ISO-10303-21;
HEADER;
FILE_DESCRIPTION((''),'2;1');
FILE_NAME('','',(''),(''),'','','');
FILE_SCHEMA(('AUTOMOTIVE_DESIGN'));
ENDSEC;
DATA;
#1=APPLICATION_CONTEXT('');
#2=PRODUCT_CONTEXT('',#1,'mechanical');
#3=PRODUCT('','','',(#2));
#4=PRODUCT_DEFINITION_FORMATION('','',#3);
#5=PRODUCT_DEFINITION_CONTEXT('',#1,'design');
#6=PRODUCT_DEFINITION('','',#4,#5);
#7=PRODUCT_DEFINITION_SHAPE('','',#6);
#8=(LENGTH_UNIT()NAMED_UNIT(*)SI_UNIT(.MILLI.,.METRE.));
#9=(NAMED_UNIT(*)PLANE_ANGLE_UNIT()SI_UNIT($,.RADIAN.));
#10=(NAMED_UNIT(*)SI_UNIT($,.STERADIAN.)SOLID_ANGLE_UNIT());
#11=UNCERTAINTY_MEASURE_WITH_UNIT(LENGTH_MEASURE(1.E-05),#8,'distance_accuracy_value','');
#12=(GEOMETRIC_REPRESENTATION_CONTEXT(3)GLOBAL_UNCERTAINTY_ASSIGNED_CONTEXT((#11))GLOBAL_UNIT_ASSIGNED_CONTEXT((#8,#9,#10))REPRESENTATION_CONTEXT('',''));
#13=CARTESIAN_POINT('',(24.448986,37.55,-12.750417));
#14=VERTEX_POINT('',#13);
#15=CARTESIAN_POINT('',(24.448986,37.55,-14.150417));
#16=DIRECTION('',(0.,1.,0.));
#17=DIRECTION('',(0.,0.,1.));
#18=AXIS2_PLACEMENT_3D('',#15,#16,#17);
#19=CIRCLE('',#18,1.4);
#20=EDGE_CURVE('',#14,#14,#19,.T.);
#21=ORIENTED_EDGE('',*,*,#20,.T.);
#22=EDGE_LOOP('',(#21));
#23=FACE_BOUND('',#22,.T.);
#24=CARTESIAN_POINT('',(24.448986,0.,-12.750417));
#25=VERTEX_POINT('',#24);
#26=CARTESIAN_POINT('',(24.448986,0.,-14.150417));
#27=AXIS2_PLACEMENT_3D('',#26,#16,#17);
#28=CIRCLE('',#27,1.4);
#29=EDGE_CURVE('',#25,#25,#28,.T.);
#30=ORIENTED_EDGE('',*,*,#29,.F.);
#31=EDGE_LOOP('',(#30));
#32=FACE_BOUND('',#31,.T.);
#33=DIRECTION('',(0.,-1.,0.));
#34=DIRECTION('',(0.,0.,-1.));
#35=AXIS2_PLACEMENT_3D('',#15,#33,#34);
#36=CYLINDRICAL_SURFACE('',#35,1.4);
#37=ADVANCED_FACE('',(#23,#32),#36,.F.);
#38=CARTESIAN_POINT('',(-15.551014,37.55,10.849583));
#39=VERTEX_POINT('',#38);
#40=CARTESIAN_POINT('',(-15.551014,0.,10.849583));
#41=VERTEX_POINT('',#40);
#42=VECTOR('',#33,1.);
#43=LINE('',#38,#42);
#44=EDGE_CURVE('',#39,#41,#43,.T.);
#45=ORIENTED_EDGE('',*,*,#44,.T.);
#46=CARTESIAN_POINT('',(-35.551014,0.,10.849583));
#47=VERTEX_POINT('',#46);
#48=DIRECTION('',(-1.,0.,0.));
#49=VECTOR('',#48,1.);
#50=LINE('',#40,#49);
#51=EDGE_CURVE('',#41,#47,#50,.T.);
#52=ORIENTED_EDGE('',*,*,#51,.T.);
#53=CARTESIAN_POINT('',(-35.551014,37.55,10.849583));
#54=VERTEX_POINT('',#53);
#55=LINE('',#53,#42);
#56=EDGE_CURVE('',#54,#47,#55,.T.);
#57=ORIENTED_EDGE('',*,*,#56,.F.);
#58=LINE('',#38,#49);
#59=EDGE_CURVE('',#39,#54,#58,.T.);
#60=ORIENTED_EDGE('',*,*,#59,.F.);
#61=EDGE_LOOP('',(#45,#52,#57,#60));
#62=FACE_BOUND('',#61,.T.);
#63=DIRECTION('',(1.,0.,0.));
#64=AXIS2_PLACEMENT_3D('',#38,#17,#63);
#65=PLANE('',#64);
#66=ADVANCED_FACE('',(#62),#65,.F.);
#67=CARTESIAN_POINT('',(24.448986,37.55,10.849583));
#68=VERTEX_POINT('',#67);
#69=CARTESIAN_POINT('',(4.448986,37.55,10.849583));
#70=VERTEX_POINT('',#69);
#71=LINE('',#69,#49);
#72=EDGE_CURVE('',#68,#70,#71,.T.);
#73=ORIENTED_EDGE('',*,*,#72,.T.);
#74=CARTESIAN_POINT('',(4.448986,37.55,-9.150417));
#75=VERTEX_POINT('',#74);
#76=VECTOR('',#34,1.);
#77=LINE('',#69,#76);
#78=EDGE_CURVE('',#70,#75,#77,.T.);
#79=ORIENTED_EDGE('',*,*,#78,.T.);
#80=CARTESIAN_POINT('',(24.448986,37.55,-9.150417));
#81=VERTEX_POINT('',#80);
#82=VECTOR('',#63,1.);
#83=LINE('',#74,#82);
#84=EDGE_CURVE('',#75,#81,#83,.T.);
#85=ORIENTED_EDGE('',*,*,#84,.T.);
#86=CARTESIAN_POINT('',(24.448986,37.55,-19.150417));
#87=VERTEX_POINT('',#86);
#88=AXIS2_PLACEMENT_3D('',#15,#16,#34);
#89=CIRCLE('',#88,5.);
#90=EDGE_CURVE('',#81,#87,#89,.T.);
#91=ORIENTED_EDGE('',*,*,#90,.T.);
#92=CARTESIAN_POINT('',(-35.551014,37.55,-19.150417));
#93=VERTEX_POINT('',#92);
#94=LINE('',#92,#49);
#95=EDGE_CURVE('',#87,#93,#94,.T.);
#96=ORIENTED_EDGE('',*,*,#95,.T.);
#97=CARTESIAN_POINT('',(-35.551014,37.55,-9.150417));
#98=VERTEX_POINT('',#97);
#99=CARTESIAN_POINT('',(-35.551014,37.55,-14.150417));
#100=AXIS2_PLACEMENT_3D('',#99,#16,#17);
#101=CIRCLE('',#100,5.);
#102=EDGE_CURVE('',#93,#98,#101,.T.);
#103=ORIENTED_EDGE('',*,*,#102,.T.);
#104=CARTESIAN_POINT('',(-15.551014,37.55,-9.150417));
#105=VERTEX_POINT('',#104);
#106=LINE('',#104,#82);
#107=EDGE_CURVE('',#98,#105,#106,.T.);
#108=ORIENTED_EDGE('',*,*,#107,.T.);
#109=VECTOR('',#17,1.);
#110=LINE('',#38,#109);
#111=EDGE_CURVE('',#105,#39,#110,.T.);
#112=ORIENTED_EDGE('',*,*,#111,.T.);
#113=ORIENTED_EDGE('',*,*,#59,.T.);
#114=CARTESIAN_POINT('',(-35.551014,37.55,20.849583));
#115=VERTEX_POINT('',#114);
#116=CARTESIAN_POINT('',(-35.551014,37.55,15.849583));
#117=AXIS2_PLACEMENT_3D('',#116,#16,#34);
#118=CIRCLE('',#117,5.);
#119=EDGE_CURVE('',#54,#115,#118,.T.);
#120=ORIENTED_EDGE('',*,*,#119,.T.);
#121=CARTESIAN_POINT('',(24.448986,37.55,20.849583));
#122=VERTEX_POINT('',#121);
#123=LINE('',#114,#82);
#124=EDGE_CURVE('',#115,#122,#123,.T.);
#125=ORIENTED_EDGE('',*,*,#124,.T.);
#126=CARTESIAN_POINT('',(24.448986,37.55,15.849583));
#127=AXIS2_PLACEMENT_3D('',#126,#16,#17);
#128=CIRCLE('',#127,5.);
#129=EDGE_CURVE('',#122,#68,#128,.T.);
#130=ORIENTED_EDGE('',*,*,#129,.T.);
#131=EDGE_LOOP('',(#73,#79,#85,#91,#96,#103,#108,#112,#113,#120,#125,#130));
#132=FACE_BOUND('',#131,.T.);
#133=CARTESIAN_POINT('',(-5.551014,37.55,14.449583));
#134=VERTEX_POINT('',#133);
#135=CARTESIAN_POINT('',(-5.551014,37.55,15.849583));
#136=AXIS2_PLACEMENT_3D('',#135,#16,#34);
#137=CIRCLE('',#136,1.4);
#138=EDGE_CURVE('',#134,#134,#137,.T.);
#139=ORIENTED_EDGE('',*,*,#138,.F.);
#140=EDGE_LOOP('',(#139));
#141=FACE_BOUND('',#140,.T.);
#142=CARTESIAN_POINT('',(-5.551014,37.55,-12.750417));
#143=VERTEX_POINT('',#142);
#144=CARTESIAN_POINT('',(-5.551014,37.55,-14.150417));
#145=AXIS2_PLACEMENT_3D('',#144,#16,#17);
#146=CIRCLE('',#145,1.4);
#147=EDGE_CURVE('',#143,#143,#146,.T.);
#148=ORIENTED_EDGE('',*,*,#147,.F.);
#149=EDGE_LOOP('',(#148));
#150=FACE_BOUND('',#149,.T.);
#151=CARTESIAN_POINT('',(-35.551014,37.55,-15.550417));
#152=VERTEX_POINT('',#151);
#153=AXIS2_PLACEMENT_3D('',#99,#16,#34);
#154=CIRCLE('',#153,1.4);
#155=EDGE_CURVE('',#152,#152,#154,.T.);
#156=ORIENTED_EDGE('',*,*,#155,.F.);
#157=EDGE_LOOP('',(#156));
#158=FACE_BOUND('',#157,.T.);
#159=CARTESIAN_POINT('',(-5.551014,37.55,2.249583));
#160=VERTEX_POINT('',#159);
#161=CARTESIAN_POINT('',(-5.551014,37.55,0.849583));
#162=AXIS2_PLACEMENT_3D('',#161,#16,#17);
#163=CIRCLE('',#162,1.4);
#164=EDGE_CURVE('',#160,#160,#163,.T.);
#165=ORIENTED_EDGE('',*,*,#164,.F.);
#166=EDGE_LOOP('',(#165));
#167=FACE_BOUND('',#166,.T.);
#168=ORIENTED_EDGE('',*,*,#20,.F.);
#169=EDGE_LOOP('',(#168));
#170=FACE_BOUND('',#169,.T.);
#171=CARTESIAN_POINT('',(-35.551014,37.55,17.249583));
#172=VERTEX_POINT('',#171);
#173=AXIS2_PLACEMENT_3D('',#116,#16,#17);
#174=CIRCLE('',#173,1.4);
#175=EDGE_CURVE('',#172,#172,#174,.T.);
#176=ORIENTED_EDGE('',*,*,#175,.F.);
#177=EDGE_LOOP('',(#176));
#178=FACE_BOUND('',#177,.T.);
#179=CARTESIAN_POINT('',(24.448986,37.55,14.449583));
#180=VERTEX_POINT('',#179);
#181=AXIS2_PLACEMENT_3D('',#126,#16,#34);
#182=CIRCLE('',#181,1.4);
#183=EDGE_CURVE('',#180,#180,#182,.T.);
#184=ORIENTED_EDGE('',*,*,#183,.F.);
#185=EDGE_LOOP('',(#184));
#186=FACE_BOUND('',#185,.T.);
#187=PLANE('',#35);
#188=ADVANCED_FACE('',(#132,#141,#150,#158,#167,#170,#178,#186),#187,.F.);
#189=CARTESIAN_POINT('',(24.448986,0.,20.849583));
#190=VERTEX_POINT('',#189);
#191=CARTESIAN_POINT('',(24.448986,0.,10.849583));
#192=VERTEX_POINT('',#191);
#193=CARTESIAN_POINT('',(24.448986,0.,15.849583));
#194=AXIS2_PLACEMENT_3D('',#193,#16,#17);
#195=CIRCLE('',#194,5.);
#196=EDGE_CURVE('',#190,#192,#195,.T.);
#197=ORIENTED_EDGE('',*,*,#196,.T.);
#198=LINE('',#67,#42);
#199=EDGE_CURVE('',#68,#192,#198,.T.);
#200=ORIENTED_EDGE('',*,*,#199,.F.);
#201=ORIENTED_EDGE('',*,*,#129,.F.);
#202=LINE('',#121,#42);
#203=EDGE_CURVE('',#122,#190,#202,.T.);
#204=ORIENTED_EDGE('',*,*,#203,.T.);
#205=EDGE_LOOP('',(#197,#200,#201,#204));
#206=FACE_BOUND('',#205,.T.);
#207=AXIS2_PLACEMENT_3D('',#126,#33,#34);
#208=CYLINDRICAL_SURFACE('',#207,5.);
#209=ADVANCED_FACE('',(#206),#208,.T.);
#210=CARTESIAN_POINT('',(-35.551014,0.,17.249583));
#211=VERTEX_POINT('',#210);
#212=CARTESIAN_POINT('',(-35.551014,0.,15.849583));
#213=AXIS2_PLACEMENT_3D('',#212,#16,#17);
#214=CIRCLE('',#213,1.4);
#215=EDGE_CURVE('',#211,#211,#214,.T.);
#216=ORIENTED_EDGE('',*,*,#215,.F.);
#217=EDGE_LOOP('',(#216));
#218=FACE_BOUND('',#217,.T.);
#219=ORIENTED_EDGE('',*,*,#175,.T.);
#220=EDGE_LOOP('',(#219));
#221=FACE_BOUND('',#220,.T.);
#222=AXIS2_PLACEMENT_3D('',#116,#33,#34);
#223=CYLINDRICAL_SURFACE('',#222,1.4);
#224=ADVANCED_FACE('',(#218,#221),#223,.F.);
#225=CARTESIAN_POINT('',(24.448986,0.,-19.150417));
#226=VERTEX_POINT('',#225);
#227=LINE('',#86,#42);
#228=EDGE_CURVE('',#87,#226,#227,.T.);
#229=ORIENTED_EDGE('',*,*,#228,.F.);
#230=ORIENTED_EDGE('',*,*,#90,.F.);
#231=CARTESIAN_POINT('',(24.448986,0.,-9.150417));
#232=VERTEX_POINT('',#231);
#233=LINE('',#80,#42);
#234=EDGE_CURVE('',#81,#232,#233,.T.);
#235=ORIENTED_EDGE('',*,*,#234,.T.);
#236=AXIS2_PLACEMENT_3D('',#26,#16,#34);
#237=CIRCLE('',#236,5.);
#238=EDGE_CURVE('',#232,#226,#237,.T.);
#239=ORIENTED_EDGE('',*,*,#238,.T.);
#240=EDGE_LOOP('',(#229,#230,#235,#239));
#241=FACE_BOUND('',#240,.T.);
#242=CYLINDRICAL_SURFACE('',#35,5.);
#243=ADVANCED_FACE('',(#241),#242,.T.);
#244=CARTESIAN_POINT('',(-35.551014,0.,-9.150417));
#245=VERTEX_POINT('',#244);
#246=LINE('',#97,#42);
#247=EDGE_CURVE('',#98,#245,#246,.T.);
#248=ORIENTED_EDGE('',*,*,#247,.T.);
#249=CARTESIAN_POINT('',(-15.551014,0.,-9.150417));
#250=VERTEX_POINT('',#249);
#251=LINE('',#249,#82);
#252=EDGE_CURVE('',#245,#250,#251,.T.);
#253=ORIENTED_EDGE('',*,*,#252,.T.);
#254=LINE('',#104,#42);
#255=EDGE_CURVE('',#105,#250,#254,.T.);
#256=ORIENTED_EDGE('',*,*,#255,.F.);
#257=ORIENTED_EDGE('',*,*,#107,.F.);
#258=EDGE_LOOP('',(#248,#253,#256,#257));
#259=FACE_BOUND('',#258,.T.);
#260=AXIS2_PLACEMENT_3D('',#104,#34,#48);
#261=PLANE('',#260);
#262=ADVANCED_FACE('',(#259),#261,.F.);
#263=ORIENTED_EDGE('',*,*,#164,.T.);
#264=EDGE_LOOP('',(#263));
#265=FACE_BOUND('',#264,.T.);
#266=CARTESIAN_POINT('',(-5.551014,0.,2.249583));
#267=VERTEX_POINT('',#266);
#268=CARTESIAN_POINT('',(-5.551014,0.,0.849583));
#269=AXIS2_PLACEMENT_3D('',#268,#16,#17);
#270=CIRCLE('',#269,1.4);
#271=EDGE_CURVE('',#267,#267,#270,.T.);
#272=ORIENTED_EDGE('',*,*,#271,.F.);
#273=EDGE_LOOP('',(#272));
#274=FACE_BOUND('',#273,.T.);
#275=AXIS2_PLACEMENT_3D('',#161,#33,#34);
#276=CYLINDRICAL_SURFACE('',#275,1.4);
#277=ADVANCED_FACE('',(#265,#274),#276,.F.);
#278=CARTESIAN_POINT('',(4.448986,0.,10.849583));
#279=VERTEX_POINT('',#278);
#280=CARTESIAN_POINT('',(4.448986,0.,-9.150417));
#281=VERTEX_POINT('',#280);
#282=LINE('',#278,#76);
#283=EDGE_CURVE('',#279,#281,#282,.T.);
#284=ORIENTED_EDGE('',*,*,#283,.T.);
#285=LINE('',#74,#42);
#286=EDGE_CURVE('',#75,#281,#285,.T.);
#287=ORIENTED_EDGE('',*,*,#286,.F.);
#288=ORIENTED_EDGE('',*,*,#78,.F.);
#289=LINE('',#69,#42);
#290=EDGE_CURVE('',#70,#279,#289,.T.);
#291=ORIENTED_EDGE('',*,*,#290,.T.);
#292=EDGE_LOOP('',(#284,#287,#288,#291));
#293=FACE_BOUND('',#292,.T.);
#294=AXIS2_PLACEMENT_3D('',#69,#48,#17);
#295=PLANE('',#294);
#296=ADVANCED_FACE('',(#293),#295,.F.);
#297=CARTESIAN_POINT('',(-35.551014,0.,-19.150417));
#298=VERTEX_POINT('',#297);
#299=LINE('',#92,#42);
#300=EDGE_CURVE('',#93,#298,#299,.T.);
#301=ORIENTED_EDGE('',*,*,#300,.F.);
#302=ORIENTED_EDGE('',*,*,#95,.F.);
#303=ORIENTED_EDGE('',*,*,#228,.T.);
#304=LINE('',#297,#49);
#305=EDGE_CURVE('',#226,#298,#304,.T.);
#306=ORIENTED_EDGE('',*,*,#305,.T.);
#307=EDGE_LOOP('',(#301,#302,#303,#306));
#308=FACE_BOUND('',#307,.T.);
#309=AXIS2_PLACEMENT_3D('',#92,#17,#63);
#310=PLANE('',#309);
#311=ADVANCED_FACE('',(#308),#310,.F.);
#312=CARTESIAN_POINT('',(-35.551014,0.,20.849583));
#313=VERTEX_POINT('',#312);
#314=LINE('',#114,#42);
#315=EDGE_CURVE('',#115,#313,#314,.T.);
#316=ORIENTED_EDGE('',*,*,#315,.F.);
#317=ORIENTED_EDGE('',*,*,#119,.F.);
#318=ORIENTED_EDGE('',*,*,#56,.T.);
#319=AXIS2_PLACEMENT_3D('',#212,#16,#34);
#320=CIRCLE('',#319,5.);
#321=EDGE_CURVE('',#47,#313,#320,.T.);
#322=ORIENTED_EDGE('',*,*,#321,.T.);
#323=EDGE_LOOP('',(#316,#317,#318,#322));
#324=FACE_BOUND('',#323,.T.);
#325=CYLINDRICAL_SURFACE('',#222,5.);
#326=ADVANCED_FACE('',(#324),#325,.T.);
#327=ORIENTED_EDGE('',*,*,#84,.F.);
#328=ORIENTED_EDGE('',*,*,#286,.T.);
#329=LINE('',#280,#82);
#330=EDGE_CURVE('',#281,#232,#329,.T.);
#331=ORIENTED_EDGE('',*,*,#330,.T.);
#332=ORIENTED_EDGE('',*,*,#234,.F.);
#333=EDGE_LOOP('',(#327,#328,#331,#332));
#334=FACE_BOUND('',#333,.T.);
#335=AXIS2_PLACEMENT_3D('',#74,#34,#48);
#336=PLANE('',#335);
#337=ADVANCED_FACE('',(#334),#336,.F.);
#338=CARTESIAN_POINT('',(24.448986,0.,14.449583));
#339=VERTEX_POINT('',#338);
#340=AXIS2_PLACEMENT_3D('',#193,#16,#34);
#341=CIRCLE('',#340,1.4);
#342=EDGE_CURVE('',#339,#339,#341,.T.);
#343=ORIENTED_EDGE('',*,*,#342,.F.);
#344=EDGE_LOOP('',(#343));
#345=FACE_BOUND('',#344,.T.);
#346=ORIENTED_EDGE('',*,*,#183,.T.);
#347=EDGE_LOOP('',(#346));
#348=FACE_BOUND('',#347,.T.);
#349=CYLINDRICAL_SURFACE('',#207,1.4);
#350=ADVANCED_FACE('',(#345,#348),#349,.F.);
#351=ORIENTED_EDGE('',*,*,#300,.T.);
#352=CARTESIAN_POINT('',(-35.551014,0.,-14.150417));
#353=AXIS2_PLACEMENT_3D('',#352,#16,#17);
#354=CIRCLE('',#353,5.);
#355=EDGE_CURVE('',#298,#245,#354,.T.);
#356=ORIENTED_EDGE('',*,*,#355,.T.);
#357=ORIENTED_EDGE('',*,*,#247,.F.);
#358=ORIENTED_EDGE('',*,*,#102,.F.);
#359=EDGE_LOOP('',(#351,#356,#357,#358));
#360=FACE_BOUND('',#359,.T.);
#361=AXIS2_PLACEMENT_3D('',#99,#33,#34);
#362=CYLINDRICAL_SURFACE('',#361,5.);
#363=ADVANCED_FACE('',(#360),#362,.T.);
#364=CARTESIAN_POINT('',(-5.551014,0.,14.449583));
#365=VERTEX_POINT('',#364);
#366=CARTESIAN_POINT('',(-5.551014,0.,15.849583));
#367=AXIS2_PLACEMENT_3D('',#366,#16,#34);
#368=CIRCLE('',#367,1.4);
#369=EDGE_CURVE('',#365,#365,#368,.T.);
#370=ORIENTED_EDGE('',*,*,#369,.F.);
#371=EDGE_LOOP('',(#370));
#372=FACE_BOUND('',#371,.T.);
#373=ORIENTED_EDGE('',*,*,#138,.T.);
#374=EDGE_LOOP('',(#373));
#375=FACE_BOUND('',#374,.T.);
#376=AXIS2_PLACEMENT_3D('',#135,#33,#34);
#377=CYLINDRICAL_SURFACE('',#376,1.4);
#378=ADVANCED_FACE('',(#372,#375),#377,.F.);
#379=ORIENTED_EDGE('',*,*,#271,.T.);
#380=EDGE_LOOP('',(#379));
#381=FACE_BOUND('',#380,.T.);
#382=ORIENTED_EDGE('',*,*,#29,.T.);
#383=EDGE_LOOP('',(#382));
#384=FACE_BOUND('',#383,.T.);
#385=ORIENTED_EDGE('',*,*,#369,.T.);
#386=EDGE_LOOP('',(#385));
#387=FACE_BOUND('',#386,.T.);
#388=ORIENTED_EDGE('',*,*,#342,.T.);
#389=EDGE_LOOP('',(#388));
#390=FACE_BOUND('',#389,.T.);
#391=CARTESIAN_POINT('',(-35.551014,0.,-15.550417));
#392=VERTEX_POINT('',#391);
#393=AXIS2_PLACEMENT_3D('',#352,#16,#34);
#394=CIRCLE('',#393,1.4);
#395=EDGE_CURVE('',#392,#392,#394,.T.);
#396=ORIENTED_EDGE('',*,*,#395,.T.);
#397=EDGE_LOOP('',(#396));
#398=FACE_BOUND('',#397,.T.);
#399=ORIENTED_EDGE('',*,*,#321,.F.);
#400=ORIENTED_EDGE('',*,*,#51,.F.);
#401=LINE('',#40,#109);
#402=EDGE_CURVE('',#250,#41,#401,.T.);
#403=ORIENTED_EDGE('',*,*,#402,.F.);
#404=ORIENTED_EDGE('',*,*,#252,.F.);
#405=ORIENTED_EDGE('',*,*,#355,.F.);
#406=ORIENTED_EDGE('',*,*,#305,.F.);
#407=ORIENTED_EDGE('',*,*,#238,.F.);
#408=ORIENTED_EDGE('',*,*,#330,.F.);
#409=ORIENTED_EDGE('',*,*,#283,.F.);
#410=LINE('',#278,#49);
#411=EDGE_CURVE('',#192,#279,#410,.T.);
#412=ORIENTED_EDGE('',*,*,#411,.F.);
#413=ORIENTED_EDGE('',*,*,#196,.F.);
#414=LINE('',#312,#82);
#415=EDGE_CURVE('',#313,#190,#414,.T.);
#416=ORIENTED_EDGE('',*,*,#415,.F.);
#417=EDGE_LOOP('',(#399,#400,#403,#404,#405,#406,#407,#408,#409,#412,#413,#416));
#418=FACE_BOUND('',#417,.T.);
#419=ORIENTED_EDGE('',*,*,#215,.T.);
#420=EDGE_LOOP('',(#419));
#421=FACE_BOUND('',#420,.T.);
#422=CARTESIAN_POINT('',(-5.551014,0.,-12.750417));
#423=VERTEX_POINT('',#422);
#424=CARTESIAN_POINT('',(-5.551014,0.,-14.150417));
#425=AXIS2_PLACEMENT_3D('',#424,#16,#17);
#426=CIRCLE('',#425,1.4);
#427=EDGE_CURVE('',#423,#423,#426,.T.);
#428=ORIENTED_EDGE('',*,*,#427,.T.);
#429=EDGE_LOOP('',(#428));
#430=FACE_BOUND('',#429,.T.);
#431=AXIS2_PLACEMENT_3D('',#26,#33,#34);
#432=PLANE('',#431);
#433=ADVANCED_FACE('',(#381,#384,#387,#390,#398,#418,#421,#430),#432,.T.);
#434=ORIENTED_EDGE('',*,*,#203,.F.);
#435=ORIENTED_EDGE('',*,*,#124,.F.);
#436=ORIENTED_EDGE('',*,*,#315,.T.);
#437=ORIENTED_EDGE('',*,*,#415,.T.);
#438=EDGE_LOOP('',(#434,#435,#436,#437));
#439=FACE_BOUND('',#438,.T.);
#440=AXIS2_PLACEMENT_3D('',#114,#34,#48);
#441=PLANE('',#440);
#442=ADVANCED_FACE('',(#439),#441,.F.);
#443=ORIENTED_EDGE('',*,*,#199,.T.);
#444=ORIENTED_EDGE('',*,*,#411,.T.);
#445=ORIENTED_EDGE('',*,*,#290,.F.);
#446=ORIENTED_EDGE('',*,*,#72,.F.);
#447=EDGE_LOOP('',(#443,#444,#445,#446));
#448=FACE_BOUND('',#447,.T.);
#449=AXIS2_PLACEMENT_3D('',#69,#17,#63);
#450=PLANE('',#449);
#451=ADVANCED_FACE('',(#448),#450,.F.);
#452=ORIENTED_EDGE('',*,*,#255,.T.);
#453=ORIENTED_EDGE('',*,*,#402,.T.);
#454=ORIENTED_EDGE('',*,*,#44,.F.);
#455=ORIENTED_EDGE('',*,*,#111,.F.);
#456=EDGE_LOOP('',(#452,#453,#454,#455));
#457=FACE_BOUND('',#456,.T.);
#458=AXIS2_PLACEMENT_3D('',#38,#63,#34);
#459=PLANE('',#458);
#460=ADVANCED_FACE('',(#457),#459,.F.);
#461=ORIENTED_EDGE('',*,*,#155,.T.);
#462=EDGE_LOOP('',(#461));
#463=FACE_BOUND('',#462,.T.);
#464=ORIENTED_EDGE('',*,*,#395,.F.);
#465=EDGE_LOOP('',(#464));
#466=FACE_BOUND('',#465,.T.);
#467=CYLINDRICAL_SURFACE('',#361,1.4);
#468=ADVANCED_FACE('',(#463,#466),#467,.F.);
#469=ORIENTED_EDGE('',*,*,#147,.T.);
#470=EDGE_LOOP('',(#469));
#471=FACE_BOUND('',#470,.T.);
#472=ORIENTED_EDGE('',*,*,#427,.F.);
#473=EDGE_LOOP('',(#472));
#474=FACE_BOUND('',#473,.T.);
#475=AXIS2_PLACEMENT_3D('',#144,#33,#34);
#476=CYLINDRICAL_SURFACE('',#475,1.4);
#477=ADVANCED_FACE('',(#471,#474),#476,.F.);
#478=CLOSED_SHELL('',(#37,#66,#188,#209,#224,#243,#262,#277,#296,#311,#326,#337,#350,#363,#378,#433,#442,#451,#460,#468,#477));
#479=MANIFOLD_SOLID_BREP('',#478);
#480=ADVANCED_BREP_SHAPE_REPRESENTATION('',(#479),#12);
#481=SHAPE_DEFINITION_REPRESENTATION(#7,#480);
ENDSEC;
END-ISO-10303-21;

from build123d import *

# Parameters (mm, degrees)
SKETCH_1_R      = 1.4
EXTRUDE_1_DEPTH = 37.55


with BuildPart() as part:
    # 草图1 → 凸台-拉伸1 (new body)
    with BuildSketch(Plane(origin=(0, 0, 0), x_dir=(1, 0, 0), z_dir=(0, 1, 0))):
        with BuildLine():
            Line((4.448985647, -10.849582747), (4.448985647, 9.150417253))
            Line((4.448985647, 9.150417253), (24.448985647, 9.150417253))
            ThreePointArc((24.448985647, 9.150417253), (29.448985647, 14.150417253), (24.448985647, 19.150417253))
            Line((24.448985647, 19.150417253), (-35.551014353, 19.150417253))
            ThreePointArc((-35.551014353, 19.150417253), (-40.551014353, 14.150417253), (-35.551014353, 9.150417253))
            Line((-35.551014353, 9.150417253), (-15.551014353, 9.150417253))
            Line((-15.551014353, 9.150417253), (-15.551014353, -10.849582747))
            Line((-15.551014353, -10.849582747), (-35.551014353, -10.849582747))
            ThreePointArc((-35.551014353, -10.849582747), (-40.551014353, -15.849582747), (-35.551014353, -20.849582747))
            Line((-35.551014353, -20.849582747), (24.448985647, -20.849582747))
            ThreePointArc((24.448985647, -20.849582747), (29.448985647, -15.849582747), (24.448985647, -10.849582747))
            Line((24.448985647, -10.849582747), (4.448985647, -10.849582747))
        make_face()
        with Locations(Location((24.448985647, 14.150417253, 0), (0, 0, 270))):
            Circle(SKETCH_1_R, mode=Mode.SUBTRACT)
        with Locations(Location((24.448985647, -15.849582747, 0), (0, 0, 90))):
            Circle(SKETCH_1_R, mode=Mode.SUBTRACT)
        with Locations(Location((-5.551014353, 14.150417253, 0), (0, 0, 270))):
            Circle(SKETCH_1_R, mode=Mode.SUBTRACT)
        with Locations(Location((-5.551014353, -0.849582747, 0), (0, 0, 270))):
            Circle(SKETCH_1_R, mode=Mode.SUBTRACT)
        with Locations(Location((-5.551014353, -15.849582747, 0), (0, 0, 90))):
            Circle(SKETCH_1_R, mode=Mode.SUBTRACT)
        with Locations(Location((-35.551014353, -15.849582747, 0), (0, 0, 270))):
            Circle(SKETCH_1_R, mode=Mode.SUBTRACT)
        with Locations(Location((-35.551014353, 14.150417253, 0), (0, 0, 90))):
            Circle(SKETCH_1_R, mode=Mode.SUBTRACT)
    extrude(amount=EXTRUDE_1_DEPTH)


solid = part.part
